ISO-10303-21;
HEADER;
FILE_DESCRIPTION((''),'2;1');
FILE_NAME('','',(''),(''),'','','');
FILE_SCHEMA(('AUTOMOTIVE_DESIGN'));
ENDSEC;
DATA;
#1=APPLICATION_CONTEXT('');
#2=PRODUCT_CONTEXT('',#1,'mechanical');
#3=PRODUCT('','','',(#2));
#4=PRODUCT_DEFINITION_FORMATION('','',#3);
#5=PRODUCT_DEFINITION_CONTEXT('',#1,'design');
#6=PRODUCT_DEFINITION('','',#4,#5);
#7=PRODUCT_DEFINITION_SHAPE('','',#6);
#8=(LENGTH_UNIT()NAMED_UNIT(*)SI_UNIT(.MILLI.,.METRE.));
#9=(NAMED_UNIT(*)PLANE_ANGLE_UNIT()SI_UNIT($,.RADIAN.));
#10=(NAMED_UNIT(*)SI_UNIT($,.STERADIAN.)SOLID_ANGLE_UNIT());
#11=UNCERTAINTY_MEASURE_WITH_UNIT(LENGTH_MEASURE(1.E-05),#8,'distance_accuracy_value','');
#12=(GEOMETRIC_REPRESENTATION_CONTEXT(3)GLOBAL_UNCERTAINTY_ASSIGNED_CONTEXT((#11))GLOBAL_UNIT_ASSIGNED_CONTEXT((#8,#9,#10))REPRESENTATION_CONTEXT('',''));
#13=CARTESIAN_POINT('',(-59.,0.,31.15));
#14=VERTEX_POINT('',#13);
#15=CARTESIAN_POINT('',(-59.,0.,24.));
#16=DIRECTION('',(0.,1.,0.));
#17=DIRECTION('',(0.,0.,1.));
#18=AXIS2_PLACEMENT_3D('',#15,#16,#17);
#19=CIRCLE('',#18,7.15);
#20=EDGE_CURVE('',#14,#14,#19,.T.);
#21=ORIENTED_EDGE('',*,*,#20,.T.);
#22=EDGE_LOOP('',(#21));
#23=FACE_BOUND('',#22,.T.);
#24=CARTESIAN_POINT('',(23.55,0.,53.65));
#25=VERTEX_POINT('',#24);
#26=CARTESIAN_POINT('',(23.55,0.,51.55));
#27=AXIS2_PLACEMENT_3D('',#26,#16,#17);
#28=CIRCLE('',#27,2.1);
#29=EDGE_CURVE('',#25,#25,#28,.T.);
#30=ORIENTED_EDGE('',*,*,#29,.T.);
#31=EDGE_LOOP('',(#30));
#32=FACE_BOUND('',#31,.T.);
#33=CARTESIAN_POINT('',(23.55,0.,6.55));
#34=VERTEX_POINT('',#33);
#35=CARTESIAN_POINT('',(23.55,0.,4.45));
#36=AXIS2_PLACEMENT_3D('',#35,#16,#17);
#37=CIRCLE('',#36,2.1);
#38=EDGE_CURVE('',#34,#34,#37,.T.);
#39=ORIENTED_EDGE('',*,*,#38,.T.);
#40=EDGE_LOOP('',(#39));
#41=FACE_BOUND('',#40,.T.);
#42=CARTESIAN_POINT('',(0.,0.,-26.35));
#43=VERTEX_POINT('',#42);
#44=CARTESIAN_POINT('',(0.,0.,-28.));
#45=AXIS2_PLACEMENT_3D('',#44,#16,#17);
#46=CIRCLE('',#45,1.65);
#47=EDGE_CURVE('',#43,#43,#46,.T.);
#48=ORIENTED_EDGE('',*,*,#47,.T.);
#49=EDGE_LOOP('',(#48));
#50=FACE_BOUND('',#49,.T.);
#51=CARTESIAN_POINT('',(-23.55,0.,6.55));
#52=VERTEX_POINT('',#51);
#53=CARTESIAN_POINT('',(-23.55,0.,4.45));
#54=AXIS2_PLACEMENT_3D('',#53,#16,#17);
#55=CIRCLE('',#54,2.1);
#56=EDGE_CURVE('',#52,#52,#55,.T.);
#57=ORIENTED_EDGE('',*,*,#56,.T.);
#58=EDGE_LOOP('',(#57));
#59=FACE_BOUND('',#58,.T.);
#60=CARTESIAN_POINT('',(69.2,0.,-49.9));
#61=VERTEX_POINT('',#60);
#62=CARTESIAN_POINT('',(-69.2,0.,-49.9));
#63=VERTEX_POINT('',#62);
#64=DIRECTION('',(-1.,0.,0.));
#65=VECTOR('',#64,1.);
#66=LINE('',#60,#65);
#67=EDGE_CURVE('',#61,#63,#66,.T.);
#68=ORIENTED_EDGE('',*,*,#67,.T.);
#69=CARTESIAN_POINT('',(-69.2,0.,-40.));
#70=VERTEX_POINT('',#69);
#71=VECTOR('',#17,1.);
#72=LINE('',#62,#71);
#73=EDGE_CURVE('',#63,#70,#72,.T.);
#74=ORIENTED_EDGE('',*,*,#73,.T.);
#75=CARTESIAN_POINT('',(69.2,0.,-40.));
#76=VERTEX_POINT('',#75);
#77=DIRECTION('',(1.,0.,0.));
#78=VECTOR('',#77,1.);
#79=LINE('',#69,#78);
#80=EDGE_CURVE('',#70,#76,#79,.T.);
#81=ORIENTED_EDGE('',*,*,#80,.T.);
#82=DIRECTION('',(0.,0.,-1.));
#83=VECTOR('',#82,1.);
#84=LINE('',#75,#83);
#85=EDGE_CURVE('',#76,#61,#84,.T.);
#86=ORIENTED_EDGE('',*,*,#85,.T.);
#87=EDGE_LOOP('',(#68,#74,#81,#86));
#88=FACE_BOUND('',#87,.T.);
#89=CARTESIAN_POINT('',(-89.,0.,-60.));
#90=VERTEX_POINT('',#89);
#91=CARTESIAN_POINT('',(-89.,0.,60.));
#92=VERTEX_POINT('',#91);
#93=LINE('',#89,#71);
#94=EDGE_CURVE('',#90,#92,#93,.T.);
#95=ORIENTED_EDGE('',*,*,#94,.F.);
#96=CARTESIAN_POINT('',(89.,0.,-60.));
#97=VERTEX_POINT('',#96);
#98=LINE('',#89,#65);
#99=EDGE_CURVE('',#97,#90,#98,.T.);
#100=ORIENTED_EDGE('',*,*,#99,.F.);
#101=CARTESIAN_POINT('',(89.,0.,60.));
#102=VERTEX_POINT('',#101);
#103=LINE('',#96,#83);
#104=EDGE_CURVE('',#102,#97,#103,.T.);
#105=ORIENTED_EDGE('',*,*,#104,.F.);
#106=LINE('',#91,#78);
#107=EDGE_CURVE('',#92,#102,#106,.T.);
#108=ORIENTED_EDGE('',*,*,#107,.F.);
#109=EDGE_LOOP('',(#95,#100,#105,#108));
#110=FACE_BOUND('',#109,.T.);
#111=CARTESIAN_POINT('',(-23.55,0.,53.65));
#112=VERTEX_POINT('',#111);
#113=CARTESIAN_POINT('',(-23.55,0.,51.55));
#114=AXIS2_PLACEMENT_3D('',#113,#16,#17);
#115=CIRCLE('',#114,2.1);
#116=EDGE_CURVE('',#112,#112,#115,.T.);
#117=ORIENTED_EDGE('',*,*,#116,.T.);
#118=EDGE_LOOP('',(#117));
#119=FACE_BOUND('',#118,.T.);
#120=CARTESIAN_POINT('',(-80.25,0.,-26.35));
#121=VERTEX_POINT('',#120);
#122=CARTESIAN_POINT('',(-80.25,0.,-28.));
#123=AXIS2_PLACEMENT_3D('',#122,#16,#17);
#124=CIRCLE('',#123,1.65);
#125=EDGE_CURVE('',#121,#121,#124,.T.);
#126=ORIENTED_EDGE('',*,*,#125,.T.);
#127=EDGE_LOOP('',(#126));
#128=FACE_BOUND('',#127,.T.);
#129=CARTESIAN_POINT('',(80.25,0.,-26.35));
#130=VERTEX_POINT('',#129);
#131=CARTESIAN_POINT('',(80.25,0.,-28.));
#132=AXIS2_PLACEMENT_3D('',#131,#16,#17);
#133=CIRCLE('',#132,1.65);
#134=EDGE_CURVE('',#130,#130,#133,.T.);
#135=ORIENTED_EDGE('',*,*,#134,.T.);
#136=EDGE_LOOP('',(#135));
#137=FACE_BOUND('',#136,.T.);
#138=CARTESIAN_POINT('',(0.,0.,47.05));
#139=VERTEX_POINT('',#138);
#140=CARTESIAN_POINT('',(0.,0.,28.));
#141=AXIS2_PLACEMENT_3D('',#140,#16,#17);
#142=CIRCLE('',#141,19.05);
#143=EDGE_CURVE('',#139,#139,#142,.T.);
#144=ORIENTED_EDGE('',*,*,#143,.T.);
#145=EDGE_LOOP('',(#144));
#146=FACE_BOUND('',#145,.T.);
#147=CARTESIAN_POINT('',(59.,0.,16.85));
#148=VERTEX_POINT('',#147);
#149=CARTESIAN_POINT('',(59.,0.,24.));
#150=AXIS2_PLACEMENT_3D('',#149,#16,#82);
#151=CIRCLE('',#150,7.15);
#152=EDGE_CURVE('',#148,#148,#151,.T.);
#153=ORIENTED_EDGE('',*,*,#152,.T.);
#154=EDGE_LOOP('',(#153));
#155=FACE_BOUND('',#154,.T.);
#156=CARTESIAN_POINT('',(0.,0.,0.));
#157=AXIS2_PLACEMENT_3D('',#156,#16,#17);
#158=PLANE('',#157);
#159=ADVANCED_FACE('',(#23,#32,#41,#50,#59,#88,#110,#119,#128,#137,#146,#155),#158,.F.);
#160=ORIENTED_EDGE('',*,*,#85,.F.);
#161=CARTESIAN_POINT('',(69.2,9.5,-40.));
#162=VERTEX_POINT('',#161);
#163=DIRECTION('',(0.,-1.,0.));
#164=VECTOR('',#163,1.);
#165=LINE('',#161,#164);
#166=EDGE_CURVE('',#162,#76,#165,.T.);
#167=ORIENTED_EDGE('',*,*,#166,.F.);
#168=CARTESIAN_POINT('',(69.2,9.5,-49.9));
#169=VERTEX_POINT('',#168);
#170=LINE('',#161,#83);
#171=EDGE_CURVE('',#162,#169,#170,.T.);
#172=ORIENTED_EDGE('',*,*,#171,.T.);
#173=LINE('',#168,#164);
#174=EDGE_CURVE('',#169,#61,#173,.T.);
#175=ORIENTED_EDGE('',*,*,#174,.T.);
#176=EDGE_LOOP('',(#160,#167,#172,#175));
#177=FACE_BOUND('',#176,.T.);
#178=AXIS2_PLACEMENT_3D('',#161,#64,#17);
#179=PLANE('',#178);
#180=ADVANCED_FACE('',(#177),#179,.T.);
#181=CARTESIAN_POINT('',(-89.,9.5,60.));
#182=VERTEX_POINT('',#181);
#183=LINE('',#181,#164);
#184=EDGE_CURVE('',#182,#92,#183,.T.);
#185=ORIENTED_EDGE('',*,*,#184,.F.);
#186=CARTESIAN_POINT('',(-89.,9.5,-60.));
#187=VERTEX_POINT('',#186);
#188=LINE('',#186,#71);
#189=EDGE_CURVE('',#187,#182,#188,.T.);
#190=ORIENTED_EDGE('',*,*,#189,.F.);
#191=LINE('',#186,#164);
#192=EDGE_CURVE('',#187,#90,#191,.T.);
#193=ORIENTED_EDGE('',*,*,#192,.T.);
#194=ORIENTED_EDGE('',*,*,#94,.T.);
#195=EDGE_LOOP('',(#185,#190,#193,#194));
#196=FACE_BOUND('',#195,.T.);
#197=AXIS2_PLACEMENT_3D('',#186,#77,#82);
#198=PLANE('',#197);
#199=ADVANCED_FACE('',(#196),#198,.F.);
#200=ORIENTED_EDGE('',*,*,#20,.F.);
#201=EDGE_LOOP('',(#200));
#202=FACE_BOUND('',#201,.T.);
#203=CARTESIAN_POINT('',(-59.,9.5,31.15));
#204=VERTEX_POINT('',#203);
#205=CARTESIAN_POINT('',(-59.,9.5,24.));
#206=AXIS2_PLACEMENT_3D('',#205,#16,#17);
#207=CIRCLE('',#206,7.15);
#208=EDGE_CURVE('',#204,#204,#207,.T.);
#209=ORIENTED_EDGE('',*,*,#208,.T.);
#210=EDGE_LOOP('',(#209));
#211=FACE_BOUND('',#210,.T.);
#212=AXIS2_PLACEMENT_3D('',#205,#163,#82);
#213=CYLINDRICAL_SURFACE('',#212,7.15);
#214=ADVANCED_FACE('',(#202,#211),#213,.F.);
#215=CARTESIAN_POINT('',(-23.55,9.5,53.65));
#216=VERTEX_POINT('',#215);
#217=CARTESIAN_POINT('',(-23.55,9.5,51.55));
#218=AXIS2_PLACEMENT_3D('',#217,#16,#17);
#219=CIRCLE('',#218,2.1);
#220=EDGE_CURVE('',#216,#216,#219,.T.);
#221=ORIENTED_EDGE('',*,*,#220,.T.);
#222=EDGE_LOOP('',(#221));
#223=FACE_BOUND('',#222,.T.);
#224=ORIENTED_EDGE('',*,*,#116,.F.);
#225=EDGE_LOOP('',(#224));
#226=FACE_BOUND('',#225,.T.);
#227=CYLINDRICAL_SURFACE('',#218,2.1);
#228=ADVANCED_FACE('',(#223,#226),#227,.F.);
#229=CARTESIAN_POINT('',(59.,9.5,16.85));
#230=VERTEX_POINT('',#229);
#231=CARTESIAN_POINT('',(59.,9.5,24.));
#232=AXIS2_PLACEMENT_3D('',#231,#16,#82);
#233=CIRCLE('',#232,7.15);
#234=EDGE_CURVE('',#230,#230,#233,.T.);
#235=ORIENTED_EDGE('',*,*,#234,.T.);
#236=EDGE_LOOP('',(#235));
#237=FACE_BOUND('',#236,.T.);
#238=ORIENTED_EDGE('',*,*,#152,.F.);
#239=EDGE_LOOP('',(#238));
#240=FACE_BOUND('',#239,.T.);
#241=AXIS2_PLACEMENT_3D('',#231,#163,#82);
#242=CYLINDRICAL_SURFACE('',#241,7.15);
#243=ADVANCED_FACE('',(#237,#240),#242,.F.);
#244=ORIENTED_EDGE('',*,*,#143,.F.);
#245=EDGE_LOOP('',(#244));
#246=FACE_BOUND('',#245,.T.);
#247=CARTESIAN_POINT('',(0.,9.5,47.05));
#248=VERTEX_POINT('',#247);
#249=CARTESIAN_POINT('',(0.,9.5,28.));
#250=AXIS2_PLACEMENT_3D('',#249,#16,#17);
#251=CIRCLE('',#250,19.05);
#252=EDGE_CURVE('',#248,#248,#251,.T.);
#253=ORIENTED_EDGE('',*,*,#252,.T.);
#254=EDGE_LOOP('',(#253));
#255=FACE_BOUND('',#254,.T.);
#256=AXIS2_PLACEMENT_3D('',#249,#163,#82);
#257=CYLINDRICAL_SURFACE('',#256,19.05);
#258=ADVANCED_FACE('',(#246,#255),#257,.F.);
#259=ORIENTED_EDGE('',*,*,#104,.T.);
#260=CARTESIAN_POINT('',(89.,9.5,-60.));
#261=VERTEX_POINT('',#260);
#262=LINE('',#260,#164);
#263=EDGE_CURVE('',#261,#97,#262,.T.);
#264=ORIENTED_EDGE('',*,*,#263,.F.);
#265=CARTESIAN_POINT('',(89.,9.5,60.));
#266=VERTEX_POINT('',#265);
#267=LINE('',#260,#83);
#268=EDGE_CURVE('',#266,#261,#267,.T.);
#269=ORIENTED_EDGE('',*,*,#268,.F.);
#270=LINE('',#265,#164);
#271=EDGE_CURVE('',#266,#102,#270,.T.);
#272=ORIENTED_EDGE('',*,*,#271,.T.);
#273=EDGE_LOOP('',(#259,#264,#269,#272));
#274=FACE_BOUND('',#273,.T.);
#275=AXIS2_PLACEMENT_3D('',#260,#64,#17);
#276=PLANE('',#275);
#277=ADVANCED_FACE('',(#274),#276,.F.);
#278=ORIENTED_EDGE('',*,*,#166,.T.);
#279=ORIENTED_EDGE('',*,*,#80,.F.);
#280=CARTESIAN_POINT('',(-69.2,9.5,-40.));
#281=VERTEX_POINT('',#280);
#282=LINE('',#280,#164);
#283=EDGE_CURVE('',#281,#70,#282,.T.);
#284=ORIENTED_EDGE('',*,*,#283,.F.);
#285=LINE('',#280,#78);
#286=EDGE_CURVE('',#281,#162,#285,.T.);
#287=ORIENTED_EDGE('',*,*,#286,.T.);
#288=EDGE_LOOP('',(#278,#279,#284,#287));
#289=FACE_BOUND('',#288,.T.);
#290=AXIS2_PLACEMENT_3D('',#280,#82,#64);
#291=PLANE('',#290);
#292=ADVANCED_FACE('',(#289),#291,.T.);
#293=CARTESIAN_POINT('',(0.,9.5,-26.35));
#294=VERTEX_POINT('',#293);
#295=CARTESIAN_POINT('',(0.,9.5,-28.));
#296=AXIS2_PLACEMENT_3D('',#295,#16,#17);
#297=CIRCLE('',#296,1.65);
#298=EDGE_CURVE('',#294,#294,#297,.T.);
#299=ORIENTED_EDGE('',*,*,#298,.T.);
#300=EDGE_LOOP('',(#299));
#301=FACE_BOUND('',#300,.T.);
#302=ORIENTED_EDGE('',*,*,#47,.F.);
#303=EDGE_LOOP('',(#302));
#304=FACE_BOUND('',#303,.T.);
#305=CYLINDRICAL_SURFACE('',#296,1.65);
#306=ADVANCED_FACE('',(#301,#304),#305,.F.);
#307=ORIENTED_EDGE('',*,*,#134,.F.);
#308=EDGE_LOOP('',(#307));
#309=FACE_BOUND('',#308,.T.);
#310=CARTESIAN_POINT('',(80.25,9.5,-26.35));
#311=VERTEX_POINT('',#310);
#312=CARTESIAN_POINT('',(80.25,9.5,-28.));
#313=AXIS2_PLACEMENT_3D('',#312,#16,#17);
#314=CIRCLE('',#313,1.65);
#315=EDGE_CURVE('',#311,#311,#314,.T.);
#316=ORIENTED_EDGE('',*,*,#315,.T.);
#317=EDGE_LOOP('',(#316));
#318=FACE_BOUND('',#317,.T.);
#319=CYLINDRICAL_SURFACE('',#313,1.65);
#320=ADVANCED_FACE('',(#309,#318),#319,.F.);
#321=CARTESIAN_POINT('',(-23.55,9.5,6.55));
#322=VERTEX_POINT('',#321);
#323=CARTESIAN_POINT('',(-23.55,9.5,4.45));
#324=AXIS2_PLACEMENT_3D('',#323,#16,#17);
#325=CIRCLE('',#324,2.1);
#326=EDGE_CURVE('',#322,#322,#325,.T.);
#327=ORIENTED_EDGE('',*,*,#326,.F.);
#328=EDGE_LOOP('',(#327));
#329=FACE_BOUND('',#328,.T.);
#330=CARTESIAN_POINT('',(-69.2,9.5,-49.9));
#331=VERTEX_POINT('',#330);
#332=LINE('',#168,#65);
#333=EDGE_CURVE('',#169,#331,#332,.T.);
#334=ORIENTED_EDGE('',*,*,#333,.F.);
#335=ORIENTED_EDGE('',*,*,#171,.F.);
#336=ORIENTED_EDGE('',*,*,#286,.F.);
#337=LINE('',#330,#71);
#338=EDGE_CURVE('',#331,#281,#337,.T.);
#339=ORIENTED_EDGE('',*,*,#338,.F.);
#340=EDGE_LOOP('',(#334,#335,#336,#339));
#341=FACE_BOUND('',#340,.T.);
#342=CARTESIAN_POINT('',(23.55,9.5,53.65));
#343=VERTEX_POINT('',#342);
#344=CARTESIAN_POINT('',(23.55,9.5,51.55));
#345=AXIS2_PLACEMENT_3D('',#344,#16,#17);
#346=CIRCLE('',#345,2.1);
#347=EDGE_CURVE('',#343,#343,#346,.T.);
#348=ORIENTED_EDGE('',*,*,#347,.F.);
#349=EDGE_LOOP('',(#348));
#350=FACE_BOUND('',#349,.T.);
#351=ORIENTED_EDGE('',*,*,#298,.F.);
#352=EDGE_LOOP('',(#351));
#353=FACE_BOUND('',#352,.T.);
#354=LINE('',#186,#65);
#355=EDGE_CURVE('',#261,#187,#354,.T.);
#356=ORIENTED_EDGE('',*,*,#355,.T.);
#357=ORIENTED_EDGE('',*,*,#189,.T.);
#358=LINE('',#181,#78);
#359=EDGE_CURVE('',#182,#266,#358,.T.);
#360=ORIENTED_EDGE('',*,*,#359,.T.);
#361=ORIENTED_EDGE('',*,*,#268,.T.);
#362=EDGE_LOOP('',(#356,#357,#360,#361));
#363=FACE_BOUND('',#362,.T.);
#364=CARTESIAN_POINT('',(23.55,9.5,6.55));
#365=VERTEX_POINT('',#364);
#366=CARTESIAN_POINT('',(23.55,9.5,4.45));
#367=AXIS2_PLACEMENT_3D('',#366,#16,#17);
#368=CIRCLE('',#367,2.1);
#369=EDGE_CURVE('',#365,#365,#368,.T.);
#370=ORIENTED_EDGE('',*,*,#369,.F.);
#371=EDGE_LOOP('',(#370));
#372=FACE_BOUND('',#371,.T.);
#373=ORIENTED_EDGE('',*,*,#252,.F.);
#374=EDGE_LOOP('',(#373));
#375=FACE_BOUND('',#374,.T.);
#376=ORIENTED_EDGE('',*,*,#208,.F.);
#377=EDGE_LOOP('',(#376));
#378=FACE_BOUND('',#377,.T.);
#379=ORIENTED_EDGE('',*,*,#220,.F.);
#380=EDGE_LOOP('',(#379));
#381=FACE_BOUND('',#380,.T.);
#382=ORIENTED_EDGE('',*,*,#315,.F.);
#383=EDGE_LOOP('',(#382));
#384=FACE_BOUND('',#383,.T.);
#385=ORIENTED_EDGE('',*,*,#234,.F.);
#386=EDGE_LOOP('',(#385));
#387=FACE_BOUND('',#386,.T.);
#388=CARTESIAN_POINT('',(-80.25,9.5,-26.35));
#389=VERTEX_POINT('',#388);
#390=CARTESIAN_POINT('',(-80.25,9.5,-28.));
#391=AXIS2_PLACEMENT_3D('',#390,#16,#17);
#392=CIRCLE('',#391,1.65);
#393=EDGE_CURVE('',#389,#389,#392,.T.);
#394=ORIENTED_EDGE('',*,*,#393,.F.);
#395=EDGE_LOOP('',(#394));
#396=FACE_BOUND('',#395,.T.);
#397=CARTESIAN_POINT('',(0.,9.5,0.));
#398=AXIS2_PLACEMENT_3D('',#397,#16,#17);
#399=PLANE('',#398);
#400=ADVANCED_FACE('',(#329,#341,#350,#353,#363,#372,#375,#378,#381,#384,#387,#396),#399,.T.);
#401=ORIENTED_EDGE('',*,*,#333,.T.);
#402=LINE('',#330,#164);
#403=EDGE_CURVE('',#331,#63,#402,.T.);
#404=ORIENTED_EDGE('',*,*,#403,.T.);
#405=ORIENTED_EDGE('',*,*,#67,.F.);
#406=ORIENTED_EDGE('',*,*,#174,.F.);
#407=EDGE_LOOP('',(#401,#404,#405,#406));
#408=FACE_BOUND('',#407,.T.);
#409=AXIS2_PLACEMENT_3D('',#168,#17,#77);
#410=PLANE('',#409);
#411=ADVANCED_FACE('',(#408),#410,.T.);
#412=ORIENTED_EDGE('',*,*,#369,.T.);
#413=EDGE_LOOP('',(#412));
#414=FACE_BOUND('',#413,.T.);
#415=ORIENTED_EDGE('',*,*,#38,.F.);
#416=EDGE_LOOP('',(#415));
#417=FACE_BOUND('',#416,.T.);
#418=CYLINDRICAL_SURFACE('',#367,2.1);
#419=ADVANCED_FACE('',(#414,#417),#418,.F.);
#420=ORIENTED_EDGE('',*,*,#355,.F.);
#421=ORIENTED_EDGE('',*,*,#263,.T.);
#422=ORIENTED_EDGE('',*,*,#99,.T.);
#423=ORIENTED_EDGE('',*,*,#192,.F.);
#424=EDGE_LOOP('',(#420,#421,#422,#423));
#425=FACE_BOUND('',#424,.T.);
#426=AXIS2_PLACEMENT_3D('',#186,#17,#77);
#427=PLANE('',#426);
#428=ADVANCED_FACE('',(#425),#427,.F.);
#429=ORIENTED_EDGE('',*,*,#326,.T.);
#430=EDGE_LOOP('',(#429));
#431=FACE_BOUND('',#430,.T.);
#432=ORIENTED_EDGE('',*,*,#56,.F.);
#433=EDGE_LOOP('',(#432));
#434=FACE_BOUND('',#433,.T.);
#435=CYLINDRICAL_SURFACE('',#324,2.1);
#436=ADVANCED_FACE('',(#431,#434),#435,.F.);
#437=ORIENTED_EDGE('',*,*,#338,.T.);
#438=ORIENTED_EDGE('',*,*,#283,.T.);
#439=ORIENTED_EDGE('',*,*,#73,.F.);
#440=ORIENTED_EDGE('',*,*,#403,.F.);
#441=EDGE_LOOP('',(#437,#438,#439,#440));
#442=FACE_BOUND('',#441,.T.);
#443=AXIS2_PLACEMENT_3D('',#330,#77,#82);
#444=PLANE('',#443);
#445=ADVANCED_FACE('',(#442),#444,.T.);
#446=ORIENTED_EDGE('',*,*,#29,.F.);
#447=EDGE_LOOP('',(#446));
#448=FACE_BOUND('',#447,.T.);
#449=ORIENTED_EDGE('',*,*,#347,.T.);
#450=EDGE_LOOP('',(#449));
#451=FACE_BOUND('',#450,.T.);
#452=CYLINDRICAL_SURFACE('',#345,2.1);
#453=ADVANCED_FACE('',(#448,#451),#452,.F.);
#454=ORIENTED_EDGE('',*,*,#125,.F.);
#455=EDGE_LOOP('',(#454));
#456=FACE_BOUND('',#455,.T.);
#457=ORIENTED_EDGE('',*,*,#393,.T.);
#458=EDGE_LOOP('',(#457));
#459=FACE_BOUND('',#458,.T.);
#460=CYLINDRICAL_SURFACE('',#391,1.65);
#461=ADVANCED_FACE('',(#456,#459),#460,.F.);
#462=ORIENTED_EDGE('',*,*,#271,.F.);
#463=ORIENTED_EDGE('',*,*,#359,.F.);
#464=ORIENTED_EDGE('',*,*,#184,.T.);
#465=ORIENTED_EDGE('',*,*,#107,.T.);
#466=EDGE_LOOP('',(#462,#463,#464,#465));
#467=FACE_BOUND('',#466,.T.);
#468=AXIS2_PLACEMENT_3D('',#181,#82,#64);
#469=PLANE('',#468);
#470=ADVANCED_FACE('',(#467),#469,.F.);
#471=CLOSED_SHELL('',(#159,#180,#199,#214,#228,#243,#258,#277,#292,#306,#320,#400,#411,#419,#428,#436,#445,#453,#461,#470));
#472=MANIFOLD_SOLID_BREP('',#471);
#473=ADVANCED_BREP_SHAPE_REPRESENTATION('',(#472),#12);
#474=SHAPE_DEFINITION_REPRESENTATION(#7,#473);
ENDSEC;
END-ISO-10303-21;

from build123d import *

# Parameters (mm, degrees)
SKETCH1_W           = 178
SKETCH1_H           = 120
SKETCH1_R           = 19.05
SKETCH1_R_2         = 7.15
SKETCH1_W_2         = 138.4
SKETCH1_H_2         = 9.9
BOSS_EXTRUDE1_DEPTH = 9.5
M4_TAPPED_HOLE1_D   = 3.3
M5_TAPPED_HOLE1_D   = 4.2


with BuildPart() as part:
    # Sketch1 → Boss-Extrude1 (new body)
    with BuildSketch(Plane(origin=(0, 0, 0), x_dir=(1, 0, 0), z_dir=(0, 1, 0))):
        Rectangle(SKETCH1_W, SKETCH1_H)
        with Locations((0, -28)):
            Circle(SKETCH1_R, mode=Mode.SUBTRACT)
        with Locations((-59, -24)):
            Circle(SKETCH1_R_2, mode=Mode.SUBTRACT)
        with Locations((59, -24)):
            Circle(SKETCH1_R_2, mode=Mode.SUBTRACT)
        with Locations((0, 44.95)):
            Rectangle(SKETCH1_W_2, SKETCH1_H_2, mode=Mode.SUBTRACT)
    extrude(amount=BOSS_EXTRUDE1_DEPTH)

    # M4 Tapped Hole1 (through all)
    with Locations(Plane(origin=(0, 9.5, 0), x_dir=(1, 0, 0), z_dir=(0, 1, 0))):
        with Locations((-80.25, 28), (0, 28), (80.25, 28)):
            Hole(M4_TAPPED_HOLE1_D / 2)

    # M5 Tapped Hole1 (through all)
    with Locations(Plane(origin=(0, 9.5, 0), x_dir=(1, 0, 0), z_dir=(0, 1, 0))):
        with Locations((-23.55, -4.45), (23.55, -4.45), (23.55, -51.55), (-23.55, -51.55)):
            Hole(M5_TAPPED_HOLE1_D / 2)


solid = part.part
